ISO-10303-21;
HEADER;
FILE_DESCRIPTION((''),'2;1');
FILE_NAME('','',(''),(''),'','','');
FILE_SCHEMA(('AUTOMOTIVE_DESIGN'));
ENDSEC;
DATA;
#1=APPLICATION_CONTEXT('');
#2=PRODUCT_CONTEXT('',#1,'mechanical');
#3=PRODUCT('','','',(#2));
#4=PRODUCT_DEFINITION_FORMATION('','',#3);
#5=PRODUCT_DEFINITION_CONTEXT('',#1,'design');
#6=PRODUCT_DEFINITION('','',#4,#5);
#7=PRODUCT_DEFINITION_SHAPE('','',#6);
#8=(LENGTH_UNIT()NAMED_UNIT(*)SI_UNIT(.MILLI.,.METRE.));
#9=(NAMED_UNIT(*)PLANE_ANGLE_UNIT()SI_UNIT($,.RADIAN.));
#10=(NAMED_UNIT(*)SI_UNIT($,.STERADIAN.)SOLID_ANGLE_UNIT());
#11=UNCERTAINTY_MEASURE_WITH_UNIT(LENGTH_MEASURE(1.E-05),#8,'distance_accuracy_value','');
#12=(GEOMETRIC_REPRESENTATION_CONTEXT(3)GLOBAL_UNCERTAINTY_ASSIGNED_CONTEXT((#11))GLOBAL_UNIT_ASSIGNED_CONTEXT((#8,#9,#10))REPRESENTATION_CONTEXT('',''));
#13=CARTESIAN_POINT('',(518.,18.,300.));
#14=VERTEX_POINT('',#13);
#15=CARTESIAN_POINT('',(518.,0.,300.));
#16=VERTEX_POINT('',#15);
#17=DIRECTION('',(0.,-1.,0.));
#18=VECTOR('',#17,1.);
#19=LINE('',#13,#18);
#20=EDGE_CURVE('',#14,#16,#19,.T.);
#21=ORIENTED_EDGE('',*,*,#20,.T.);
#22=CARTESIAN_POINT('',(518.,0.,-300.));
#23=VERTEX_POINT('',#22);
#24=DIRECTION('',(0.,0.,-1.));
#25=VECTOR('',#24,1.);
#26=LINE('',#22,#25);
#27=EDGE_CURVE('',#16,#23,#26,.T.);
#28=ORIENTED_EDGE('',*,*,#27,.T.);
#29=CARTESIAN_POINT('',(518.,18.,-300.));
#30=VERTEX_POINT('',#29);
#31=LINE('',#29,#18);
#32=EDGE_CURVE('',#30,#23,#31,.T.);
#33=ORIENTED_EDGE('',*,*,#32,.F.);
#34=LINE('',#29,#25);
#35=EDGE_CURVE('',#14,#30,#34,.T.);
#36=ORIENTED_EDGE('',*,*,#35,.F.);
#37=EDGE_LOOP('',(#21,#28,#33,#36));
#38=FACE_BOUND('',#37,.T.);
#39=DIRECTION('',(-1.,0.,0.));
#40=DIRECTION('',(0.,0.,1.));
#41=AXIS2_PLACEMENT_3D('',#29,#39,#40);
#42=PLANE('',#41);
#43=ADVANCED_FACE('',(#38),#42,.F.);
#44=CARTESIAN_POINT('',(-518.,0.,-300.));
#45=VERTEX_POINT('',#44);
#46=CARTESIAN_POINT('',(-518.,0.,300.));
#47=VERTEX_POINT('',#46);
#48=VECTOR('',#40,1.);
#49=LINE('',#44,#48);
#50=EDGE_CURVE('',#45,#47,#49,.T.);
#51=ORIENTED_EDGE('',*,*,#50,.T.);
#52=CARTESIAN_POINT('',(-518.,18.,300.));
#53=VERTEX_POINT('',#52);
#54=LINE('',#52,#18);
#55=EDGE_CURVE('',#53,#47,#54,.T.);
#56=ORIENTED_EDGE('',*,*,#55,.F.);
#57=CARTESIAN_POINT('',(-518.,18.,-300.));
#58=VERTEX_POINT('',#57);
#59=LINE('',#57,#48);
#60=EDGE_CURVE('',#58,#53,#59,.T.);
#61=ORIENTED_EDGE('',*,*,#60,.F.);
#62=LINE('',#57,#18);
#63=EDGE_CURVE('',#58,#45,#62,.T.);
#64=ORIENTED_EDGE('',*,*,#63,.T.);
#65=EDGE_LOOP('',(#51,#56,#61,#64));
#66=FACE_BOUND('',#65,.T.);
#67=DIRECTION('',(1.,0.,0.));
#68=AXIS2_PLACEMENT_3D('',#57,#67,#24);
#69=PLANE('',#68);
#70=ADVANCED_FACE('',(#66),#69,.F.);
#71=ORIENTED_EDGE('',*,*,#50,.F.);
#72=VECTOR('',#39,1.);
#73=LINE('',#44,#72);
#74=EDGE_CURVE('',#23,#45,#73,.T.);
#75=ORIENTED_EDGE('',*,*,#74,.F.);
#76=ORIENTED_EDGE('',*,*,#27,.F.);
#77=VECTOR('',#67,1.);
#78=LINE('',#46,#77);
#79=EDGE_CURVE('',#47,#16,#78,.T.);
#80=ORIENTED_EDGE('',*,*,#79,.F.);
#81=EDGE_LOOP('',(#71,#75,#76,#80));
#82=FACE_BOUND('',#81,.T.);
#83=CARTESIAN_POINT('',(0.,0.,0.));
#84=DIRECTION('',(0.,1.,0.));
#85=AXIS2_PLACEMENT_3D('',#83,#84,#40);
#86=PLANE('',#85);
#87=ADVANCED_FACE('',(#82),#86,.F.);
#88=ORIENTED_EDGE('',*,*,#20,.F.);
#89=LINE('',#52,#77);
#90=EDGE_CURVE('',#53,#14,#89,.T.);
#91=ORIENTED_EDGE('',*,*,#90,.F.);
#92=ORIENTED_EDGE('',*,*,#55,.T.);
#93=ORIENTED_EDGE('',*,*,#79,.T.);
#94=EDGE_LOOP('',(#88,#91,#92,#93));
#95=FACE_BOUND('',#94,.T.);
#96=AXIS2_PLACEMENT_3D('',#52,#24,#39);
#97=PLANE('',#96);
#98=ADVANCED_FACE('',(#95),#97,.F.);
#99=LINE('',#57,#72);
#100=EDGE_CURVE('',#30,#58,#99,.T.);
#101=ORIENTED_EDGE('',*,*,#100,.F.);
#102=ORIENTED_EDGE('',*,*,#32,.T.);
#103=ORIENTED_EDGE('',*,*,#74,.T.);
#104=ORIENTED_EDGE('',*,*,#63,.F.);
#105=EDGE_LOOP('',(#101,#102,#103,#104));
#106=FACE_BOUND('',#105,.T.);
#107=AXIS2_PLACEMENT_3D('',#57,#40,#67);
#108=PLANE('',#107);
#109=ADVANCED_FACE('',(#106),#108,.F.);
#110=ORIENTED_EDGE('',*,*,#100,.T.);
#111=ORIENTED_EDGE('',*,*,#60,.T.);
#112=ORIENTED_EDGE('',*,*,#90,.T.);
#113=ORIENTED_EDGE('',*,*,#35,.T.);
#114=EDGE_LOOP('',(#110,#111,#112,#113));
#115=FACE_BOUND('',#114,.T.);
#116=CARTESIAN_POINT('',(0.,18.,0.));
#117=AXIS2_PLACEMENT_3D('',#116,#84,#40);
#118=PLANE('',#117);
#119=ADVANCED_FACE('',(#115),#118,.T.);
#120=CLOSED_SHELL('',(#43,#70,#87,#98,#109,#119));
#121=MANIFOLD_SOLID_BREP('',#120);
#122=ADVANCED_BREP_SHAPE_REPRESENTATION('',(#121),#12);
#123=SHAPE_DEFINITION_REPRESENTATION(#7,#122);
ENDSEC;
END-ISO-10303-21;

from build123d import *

# Parameters (mm, degrees)
ESQUISSE1_W        = 1036
ESQUISSE1_H        = 600
BOSS_EXTRU_1_DEPTH = 18


with BuildPart() as part:
    # Esquisse1 → Boss.-Extru.1 (new body)
    with BuildSketch(Plane(origin=(0, 0, 0), x_dir=(1, 0, 0), z_dir=(0, 1, 0))):
        Rectangle(ESQUISSE1_W, ESQUISSE1_H)
    extrude(amount=BOSS_EXTRU_1_DEPTH)


solid = part.part
